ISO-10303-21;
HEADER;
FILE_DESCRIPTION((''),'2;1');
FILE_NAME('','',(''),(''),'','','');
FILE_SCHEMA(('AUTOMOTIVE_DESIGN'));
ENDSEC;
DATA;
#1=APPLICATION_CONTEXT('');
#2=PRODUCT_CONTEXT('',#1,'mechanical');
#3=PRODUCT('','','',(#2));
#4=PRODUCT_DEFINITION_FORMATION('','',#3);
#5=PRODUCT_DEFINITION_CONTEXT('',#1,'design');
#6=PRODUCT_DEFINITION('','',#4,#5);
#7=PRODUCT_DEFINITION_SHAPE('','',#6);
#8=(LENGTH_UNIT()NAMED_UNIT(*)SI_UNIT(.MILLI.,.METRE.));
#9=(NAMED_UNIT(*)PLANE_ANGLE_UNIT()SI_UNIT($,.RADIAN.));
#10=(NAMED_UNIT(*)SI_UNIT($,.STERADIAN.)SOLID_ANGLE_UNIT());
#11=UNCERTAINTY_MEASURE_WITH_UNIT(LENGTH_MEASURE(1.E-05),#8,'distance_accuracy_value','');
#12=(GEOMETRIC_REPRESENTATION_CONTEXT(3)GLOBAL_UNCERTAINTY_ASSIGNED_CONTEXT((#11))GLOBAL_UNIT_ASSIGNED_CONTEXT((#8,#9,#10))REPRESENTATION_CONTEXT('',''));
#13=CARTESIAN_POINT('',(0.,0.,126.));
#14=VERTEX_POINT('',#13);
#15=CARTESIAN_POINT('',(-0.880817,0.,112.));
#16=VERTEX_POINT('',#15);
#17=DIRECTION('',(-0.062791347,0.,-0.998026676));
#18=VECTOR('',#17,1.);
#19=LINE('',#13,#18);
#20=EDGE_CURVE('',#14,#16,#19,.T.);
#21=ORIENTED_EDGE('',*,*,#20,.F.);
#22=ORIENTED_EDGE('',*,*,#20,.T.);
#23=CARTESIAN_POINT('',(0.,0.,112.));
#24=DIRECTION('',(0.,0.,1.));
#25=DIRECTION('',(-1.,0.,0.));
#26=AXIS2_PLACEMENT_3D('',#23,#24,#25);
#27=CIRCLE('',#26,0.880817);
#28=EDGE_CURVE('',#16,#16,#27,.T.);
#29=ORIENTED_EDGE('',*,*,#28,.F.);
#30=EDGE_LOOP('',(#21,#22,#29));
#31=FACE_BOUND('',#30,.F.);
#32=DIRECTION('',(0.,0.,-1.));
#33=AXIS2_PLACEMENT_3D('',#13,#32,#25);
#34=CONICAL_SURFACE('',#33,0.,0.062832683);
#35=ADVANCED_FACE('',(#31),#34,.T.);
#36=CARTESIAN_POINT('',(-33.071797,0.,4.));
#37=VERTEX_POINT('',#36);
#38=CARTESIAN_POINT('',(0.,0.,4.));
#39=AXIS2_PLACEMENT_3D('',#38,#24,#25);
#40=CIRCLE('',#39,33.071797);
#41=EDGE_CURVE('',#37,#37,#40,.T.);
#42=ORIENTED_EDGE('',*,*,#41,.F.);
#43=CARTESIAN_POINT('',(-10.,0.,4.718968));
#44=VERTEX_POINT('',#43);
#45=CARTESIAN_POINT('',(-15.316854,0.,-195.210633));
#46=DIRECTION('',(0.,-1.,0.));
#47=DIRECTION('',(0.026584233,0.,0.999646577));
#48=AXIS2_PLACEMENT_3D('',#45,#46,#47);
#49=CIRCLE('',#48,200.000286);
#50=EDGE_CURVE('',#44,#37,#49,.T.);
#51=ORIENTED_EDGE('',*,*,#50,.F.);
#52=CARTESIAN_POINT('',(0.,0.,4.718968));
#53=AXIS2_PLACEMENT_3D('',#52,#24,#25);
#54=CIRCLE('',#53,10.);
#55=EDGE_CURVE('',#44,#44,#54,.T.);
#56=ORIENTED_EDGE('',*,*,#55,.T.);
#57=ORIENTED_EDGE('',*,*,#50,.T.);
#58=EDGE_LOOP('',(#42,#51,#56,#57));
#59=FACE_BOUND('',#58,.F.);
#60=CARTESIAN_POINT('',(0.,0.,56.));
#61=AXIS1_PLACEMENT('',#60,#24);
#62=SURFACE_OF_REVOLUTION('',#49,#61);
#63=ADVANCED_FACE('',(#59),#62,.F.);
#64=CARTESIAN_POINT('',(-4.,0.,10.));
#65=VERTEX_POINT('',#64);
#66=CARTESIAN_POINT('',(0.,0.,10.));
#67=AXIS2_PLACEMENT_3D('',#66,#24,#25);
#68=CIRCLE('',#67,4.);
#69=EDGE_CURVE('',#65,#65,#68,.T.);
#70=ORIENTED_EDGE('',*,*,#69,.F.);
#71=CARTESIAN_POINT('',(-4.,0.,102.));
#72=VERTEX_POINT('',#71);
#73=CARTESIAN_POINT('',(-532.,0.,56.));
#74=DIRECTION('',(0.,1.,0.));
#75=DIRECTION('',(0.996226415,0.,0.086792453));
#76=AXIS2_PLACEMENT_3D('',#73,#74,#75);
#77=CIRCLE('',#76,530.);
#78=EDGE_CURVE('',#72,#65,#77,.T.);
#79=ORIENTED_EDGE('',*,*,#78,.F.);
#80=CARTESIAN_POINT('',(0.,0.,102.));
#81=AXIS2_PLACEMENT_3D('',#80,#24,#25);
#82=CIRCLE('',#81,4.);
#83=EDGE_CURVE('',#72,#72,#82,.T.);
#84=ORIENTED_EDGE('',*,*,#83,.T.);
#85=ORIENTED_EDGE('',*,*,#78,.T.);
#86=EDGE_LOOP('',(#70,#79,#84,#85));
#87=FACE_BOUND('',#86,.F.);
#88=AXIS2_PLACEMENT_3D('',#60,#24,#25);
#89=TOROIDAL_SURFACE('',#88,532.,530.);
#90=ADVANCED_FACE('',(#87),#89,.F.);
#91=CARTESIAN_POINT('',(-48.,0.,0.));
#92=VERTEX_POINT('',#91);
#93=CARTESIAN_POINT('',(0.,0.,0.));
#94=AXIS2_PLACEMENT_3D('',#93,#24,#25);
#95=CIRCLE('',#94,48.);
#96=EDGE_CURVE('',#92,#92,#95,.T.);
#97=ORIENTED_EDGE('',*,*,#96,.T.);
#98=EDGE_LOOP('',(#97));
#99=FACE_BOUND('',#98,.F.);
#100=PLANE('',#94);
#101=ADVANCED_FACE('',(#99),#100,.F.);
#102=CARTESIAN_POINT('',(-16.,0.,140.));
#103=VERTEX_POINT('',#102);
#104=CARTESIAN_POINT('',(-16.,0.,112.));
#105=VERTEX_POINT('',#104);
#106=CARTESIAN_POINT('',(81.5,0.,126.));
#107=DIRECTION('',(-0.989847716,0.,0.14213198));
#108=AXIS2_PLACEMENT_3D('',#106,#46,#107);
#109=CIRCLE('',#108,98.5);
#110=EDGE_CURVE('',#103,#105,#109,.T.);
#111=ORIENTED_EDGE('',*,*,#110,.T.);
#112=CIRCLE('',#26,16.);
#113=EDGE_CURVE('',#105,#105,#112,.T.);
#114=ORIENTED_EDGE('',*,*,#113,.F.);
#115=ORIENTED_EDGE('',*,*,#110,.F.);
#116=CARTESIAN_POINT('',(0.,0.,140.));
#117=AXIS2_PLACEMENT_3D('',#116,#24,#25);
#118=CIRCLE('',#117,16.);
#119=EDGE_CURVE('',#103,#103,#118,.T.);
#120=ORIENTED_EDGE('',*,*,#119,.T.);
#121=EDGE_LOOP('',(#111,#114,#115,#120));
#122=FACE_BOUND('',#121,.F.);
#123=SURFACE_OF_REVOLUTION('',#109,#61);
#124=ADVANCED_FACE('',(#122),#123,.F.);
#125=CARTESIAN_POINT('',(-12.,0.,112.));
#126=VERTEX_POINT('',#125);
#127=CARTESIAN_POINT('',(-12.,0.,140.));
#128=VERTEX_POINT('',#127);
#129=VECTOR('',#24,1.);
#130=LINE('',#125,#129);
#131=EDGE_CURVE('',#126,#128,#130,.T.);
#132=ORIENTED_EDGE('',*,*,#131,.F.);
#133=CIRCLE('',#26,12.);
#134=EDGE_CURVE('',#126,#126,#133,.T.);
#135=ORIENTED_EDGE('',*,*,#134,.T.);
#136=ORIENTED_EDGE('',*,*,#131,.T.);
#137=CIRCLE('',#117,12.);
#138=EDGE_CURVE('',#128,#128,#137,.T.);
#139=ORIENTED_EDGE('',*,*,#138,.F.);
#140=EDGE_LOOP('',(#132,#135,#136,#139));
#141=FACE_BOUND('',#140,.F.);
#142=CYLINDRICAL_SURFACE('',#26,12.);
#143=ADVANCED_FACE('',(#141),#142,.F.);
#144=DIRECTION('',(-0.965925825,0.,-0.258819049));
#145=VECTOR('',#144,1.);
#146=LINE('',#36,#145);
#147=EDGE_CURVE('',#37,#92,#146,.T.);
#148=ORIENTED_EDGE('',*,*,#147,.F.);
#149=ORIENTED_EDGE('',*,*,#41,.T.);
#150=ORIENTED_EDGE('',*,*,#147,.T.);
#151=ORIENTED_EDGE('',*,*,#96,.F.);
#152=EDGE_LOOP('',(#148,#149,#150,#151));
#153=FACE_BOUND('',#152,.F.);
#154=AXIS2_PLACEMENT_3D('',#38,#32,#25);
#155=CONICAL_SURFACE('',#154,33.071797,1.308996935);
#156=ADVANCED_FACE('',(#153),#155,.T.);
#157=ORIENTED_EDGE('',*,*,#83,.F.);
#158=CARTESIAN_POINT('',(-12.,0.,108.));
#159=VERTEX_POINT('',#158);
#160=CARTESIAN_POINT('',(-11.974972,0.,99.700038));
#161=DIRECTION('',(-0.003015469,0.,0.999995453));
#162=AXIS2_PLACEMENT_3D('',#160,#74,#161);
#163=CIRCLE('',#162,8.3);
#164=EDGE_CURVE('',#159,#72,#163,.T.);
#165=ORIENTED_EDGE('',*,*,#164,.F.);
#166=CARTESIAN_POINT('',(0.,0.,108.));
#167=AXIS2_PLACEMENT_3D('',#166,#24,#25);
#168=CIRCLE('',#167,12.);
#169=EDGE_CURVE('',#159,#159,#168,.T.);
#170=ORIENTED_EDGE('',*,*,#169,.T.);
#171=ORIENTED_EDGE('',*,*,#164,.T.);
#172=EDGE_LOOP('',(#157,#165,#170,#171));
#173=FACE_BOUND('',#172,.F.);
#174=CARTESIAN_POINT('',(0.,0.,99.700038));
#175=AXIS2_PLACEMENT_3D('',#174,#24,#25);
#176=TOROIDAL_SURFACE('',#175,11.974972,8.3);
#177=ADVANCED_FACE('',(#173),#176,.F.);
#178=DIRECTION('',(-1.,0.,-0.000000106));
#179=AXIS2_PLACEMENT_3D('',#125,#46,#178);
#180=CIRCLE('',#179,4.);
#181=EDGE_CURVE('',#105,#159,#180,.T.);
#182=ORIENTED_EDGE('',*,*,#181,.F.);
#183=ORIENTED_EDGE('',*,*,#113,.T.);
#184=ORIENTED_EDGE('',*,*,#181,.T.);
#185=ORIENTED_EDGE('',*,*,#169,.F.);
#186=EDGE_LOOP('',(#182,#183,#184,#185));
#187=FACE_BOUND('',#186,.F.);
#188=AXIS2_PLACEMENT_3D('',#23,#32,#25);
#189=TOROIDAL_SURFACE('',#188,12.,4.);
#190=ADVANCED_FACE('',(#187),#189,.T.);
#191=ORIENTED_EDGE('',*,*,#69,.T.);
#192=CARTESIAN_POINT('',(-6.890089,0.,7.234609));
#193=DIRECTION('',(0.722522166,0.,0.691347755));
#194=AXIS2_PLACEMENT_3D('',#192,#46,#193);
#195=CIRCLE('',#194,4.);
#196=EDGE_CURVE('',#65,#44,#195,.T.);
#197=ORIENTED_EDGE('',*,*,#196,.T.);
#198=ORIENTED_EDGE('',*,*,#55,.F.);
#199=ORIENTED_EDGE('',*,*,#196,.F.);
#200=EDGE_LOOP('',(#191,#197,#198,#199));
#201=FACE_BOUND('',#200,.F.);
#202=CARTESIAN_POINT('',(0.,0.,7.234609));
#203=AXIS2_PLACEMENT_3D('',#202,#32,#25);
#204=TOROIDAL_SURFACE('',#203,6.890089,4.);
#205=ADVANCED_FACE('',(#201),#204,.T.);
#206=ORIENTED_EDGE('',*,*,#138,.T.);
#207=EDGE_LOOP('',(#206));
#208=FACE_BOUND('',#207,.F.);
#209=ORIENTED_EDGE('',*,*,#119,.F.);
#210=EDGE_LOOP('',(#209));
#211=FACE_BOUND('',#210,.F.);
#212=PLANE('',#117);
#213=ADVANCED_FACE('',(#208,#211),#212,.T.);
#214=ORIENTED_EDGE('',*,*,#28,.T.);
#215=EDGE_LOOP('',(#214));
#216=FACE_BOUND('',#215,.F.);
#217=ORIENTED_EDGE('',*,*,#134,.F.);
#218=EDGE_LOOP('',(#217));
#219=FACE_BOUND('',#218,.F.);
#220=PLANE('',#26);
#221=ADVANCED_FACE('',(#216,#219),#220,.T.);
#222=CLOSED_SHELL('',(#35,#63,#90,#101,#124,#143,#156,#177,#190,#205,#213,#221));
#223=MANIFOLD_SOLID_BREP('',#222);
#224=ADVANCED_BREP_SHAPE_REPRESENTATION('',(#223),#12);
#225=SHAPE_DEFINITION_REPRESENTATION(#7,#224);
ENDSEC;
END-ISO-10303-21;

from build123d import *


with BuildPart() as f1:
    # F0 (on Front) → F1 (revolve)
    with BuildSketch(Plane.XZ):
        with BuildLine():
            Line((-48, 0), (0, 0))
            Line((0, 0), (0, 112))
            Line((0, 112), (-0.880817, 112))
            Line((-0.880817, 112), (-12, 112))
            Line((-12, 112), (-12, 140))
            Line((-12, 140), (-16, 140))
            ThreePointArc((-16, 140), (-17, 126), (-16, 112))
            ThreePointArc((-16, 112), (-14.828427, 109.171573), (-12, 108))
            ThreePointArc((-12, 108), (-6.994972, 106.340038), (-4, 102))
            ThreePointArc((-4, 102), (-2, 56), (-4, 10))
            ThreePointArc((-4, 10), (-9.532891, 10.237207), (-10, 4.718968))
            ThreePointArc((-10, 4.718968), (-21.546279, 4.692615), (-33.071797, 4))
            Line((-33.071797, 4), (-48, 0))
        make_face()
        Polygon((-0.880817, 112), (0, 112), (0, 126), align=None)
    revolve(axis=Axis((0, 0, 56), (0, 0, 1)))


solid = f1.part
